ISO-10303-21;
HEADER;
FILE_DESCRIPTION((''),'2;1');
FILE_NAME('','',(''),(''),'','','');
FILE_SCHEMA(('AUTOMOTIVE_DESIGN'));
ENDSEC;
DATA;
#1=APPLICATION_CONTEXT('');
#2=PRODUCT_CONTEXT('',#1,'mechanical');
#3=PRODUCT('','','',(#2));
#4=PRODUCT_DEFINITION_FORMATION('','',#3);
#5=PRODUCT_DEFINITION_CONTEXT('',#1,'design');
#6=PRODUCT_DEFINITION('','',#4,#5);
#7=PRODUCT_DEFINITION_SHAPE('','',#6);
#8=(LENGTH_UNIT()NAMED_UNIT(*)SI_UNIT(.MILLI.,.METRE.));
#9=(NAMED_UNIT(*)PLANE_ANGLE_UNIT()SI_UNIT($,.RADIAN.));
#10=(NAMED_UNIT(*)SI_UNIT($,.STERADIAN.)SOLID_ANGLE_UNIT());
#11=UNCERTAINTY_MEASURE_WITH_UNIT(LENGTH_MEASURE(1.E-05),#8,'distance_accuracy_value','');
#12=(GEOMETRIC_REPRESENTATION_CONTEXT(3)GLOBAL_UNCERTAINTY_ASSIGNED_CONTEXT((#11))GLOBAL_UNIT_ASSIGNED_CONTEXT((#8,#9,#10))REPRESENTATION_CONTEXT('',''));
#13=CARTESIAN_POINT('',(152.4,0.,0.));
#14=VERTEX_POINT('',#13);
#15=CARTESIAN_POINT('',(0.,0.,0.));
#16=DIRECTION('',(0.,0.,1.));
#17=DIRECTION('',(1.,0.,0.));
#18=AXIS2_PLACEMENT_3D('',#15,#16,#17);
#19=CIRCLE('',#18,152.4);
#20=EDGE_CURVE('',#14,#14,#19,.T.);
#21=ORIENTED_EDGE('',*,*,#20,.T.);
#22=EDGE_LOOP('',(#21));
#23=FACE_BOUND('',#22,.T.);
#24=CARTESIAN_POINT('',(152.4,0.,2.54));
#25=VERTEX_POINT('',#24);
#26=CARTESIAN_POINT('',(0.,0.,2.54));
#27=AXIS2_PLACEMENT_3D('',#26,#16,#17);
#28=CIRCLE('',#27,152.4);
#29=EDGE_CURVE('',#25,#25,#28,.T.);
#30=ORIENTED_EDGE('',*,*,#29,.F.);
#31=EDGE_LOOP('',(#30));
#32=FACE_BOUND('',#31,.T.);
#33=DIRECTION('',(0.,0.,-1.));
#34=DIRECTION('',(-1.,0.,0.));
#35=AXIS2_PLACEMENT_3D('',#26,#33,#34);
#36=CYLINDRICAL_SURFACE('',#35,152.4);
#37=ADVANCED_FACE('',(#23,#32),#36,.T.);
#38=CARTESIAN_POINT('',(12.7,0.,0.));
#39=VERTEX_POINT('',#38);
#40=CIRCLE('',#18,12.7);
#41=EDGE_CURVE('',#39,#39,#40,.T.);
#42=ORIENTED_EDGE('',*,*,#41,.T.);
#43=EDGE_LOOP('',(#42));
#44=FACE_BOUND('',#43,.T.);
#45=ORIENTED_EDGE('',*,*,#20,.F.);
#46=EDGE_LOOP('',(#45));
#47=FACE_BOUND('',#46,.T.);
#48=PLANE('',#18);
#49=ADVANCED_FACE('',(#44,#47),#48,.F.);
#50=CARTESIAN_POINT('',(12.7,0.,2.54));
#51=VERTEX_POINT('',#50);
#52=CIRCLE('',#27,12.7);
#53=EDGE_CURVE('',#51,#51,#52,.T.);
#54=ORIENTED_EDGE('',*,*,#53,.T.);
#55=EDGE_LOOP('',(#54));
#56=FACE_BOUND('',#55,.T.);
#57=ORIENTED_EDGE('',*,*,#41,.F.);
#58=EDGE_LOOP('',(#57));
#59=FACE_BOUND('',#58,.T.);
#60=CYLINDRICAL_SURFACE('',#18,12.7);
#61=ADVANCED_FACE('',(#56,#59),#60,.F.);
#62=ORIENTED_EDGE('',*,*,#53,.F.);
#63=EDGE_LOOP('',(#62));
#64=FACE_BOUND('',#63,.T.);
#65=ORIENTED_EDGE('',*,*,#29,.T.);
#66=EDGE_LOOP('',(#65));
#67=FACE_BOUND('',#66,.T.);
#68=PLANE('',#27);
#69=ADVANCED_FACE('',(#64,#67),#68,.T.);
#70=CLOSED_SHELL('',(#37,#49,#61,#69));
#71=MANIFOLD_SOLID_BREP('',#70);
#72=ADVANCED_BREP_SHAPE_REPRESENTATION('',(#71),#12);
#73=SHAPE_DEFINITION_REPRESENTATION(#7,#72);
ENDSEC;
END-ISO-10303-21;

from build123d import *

# Parameters (mm, degrees)
SKETCH1_R           = 152.4
BOSS_EXTRUDE1_DEPTH = 2.54
SKETCH2_R           = 12.7
CUT_EXTRUDE1_DEPTH  = 3.54


with BuildPart() as part:
    # Sketch1 → Boss-Extrude1 (new body)
    with BuildSketch(Plane.XY):
        Circle(SKETCH1_R)
    extrude(amount=BOSS_EXTRUDE1_DEPTH)

    # Sketch2 → Cut-Extrude1 (cut, through all)
    with BuildSketch(Plane.XY.offset(2.54)):
        Circle(SKETCH2_R)
    extrude(amount=-CUT_EXTRUDE1_DEPTH, mode=Mode.SUBTRACT)


solid = part.part
